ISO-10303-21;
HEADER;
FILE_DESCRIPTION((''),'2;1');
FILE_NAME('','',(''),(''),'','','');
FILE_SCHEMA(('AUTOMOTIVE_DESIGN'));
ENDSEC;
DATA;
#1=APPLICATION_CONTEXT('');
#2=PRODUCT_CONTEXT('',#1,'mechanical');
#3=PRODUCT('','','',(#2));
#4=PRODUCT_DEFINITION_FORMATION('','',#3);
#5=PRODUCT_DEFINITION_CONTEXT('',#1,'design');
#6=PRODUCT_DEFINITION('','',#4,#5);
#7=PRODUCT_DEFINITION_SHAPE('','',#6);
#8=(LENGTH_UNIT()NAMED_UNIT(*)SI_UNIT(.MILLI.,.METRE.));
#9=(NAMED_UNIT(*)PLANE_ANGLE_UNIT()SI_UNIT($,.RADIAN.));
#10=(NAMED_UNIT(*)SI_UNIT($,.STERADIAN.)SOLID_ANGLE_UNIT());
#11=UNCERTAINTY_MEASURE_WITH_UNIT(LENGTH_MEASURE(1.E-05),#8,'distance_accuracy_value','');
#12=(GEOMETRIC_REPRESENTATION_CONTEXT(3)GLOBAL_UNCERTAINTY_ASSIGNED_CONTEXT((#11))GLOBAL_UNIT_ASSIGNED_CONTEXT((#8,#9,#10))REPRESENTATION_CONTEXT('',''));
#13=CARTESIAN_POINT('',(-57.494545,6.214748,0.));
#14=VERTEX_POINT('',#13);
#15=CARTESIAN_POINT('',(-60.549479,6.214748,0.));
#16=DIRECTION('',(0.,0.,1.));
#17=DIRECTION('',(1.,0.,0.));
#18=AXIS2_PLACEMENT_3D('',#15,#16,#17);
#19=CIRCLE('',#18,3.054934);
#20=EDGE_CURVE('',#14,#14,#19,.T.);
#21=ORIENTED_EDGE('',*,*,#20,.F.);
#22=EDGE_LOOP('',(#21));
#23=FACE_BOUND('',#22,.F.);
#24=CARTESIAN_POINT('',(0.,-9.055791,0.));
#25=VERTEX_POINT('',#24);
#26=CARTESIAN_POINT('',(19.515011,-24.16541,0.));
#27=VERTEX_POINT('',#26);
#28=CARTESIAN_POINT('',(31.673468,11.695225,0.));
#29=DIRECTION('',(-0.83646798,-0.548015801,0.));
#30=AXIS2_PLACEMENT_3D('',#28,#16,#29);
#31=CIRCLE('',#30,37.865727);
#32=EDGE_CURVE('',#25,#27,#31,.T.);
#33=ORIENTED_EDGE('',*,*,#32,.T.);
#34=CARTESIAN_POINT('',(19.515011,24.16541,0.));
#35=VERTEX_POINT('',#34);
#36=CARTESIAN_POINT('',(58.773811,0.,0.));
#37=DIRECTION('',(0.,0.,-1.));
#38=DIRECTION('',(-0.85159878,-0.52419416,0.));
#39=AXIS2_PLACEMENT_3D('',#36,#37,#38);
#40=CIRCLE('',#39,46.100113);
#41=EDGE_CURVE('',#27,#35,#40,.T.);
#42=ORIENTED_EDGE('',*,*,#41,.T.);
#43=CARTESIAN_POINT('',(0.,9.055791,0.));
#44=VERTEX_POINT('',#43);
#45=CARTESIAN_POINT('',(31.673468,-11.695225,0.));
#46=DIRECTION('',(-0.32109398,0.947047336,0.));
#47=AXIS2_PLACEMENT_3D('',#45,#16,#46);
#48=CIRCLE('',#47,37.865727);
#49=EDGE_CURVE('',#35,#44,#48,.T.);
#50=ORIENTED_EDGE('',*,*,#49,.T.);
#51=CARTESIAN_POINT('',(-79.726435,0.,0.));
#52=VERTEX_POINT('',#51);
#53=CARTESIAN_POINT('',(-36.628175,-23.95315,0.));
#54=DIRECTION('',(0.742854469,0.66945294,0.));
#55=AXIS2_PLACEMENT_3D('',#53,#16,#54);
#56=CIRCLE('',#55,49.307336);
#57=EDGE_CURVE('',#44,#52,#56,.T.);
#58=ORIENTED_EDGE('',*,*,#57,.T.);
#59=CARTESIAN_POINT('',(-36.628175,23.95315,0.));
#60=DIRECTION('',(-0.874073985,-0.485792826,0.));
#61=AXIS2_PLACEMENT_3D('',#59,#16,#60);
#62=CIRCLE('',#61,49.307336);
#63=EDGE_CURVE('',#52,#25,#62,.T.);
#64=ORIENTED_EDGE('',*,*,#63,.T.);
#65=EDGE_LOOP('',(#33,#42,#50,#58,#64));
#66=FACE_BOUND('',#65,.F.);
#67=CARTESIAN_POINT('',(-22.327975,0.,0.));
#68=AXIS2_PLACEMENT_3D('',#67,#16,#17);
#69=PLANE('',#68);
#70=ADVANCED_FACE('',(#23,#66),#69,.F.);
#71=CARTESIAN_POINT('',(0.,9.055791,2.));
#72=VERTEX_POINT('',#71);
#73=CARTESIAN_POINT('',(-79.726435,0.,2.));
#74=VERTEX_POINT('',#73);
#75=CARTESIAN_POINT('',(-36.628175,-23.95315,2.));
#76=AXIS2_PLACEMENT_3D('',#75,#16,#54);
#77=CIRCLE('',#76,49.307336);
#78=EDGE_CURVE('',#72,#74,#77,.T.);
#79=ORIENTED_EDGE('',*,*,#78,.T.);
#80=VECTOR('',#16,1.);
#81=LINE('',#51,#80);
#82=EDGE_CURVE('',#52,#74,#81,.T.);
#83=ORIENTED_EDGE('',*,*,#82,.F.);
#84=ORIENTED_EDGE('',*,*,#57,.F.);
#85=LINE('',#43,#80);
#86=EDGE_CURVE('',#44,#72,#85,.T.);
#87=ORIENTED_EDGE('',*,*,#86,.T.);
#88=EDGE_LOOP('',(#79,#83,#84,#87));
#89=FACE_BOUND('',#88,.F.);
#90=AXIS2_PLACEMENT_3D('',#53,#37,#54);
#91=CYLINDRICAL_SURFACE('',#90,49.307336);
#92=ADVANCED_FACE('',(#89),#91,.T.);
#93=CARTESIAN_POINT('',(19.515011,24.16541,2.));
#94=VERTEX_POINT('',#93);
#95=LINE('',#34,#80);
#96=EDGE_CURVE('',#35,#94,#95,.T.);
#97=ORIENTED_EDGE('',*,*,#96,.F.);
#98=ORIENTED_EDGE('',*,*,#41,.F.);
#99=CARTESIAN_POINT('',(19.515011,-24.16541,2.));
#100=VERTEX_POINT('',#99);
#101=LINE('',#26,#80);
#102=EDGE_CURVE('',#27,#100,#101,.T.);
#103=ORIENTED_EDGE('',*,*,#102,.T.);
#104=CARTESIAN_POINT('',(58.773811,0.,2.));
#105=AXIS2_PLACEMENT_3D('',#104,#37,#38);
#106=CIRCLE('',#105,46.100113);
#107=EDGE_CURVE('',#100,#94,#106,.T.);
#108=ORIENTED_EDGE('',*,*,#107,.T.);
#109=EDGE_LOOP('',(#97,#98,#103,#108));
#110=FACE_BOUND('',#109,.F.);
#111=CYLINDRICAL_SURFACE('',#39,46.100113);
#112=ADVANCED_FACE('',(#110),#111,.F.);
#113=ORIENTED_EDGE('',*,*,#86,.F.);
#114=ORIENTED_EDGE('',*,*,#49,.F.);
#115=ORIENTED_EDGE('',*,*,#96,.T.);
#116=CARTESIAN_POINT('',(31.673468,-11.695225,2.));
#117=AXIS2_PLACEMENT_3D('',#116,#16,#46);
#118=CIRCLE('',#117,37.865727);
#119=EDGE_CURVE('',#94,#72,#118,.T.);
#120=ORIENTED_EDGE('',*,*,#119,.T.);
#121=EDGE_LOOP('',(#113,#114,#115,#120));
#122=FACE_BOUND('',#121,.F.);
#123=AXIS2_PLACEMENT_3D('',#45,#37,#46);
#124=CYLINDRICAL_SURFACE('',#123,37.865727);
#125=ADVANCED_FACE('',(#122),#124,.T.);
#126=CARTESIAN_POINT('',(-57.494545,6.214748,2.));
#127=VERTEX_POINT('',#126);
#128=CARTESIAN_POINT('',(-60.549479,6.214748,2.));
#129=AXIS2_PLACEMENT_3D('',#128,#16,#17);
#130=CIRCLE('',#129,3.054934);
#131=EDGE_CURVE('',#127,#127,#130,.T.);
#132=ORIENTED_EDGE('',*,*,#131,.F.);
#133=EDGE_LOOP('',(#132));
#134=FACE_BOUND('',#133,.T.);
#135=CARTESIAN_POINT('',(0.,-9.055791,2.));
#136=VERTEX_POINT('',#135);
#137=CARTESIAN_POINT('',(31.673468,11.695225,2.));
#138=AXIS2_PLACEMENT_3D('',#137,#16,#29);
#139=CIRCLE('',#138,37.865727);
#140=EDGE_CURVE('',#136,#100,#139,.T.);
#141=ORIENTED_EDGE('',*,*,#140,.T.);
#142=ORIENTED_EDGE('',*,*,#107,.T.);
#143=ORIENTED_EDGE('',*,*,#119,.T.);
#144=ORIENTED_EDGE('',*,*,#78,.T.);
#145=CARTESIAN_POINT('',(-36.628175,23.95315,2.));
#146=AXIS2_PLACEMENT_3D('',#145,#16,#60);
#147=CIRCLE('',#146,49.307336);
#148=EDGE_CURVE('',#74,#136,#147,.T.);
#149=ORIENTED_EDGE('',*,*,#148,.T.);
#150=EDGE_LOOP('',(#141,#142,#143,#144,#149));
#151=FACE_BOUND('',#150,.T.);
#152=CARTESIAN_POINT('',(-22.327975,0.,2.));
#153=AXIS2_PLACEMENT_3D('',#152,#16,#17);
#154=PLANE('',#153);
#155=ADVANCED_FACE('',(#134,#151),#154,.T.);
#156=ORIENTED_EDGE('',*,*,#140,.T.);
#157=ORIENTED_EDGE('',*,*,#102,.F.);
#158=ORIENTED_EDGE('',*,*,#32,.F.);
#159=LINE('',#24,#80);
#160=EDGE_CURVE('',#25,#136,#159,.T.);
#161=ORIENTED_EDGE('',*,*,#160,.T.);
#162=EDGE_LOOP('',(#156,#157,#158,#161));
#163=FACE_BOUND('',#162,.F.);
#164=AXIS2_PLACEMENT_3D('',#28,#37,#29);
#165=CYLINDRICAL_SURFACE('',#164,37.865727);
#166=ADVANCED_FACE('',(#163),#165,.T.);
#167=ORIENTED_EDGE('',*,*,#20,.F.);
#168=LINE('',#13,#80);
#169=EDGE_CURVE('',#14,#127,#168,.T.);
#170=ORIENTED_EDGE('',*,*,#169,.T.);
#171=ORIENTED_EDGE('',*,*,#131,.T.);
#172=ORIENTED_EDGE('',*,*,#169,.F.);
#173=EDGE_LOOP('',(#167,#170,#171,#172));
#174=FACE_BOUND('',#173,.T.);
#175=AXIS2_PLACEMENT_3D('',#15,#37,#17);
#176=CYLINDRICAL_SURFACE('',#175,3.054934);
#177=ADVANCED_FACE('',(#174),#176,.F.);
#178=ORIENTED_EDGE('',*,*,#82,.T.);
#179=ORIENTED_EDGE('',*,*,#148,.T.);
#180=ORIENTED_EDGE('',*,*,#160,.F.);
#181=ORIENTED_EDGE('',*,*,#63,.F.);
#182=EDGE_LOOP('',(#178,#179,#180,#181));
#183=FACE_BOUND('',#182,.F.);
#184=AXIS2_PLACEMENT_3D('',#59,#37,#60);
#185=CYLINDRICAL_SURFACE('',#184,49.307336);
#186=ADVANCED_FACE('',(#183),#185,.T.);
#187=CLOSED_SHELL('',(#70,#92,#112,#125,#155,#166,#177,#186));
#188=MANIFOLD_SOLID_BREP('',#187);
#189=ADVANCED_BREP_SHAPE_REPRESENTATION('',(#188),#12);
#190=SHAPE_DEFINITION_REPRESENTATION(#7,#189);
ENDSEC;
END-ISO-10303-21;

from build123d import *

# Parameters (mm, degrees)
F0_R     = 3.054934
F1_DEPTH = 2


with BuildPart() as f1:
    # F0 (on Top) → F1 (new body)
    with BuildSketch(Plane.XY):
        with BuildLine():
            ThreePointArc((19.515011, 24.16541), (8.491912, 18.245194), (0, 9.055791))
            ThreePointArc((0, 9.055791), (-42.193006, 25.039156), (-79.726435, 0))
            ThreePointArc((-79.726435, 0), (-42.193006, -25.039156), (0, -9.055791))
            ThreePointArc((0, -9.055791), (8.491912, -18.245194), (19.515011, -24.16541))
            ThreePointArc((19.515011, -24.16541), (12.673698, 0), (19.515011, 24.16541))
        make_face()
        with Locations((-60.549479, 6.214748)):
            Circle(F0_R, mode=Mode.SUBTRACT)
    extrude(amount=F1_DEPTH)


solid = f1.part
